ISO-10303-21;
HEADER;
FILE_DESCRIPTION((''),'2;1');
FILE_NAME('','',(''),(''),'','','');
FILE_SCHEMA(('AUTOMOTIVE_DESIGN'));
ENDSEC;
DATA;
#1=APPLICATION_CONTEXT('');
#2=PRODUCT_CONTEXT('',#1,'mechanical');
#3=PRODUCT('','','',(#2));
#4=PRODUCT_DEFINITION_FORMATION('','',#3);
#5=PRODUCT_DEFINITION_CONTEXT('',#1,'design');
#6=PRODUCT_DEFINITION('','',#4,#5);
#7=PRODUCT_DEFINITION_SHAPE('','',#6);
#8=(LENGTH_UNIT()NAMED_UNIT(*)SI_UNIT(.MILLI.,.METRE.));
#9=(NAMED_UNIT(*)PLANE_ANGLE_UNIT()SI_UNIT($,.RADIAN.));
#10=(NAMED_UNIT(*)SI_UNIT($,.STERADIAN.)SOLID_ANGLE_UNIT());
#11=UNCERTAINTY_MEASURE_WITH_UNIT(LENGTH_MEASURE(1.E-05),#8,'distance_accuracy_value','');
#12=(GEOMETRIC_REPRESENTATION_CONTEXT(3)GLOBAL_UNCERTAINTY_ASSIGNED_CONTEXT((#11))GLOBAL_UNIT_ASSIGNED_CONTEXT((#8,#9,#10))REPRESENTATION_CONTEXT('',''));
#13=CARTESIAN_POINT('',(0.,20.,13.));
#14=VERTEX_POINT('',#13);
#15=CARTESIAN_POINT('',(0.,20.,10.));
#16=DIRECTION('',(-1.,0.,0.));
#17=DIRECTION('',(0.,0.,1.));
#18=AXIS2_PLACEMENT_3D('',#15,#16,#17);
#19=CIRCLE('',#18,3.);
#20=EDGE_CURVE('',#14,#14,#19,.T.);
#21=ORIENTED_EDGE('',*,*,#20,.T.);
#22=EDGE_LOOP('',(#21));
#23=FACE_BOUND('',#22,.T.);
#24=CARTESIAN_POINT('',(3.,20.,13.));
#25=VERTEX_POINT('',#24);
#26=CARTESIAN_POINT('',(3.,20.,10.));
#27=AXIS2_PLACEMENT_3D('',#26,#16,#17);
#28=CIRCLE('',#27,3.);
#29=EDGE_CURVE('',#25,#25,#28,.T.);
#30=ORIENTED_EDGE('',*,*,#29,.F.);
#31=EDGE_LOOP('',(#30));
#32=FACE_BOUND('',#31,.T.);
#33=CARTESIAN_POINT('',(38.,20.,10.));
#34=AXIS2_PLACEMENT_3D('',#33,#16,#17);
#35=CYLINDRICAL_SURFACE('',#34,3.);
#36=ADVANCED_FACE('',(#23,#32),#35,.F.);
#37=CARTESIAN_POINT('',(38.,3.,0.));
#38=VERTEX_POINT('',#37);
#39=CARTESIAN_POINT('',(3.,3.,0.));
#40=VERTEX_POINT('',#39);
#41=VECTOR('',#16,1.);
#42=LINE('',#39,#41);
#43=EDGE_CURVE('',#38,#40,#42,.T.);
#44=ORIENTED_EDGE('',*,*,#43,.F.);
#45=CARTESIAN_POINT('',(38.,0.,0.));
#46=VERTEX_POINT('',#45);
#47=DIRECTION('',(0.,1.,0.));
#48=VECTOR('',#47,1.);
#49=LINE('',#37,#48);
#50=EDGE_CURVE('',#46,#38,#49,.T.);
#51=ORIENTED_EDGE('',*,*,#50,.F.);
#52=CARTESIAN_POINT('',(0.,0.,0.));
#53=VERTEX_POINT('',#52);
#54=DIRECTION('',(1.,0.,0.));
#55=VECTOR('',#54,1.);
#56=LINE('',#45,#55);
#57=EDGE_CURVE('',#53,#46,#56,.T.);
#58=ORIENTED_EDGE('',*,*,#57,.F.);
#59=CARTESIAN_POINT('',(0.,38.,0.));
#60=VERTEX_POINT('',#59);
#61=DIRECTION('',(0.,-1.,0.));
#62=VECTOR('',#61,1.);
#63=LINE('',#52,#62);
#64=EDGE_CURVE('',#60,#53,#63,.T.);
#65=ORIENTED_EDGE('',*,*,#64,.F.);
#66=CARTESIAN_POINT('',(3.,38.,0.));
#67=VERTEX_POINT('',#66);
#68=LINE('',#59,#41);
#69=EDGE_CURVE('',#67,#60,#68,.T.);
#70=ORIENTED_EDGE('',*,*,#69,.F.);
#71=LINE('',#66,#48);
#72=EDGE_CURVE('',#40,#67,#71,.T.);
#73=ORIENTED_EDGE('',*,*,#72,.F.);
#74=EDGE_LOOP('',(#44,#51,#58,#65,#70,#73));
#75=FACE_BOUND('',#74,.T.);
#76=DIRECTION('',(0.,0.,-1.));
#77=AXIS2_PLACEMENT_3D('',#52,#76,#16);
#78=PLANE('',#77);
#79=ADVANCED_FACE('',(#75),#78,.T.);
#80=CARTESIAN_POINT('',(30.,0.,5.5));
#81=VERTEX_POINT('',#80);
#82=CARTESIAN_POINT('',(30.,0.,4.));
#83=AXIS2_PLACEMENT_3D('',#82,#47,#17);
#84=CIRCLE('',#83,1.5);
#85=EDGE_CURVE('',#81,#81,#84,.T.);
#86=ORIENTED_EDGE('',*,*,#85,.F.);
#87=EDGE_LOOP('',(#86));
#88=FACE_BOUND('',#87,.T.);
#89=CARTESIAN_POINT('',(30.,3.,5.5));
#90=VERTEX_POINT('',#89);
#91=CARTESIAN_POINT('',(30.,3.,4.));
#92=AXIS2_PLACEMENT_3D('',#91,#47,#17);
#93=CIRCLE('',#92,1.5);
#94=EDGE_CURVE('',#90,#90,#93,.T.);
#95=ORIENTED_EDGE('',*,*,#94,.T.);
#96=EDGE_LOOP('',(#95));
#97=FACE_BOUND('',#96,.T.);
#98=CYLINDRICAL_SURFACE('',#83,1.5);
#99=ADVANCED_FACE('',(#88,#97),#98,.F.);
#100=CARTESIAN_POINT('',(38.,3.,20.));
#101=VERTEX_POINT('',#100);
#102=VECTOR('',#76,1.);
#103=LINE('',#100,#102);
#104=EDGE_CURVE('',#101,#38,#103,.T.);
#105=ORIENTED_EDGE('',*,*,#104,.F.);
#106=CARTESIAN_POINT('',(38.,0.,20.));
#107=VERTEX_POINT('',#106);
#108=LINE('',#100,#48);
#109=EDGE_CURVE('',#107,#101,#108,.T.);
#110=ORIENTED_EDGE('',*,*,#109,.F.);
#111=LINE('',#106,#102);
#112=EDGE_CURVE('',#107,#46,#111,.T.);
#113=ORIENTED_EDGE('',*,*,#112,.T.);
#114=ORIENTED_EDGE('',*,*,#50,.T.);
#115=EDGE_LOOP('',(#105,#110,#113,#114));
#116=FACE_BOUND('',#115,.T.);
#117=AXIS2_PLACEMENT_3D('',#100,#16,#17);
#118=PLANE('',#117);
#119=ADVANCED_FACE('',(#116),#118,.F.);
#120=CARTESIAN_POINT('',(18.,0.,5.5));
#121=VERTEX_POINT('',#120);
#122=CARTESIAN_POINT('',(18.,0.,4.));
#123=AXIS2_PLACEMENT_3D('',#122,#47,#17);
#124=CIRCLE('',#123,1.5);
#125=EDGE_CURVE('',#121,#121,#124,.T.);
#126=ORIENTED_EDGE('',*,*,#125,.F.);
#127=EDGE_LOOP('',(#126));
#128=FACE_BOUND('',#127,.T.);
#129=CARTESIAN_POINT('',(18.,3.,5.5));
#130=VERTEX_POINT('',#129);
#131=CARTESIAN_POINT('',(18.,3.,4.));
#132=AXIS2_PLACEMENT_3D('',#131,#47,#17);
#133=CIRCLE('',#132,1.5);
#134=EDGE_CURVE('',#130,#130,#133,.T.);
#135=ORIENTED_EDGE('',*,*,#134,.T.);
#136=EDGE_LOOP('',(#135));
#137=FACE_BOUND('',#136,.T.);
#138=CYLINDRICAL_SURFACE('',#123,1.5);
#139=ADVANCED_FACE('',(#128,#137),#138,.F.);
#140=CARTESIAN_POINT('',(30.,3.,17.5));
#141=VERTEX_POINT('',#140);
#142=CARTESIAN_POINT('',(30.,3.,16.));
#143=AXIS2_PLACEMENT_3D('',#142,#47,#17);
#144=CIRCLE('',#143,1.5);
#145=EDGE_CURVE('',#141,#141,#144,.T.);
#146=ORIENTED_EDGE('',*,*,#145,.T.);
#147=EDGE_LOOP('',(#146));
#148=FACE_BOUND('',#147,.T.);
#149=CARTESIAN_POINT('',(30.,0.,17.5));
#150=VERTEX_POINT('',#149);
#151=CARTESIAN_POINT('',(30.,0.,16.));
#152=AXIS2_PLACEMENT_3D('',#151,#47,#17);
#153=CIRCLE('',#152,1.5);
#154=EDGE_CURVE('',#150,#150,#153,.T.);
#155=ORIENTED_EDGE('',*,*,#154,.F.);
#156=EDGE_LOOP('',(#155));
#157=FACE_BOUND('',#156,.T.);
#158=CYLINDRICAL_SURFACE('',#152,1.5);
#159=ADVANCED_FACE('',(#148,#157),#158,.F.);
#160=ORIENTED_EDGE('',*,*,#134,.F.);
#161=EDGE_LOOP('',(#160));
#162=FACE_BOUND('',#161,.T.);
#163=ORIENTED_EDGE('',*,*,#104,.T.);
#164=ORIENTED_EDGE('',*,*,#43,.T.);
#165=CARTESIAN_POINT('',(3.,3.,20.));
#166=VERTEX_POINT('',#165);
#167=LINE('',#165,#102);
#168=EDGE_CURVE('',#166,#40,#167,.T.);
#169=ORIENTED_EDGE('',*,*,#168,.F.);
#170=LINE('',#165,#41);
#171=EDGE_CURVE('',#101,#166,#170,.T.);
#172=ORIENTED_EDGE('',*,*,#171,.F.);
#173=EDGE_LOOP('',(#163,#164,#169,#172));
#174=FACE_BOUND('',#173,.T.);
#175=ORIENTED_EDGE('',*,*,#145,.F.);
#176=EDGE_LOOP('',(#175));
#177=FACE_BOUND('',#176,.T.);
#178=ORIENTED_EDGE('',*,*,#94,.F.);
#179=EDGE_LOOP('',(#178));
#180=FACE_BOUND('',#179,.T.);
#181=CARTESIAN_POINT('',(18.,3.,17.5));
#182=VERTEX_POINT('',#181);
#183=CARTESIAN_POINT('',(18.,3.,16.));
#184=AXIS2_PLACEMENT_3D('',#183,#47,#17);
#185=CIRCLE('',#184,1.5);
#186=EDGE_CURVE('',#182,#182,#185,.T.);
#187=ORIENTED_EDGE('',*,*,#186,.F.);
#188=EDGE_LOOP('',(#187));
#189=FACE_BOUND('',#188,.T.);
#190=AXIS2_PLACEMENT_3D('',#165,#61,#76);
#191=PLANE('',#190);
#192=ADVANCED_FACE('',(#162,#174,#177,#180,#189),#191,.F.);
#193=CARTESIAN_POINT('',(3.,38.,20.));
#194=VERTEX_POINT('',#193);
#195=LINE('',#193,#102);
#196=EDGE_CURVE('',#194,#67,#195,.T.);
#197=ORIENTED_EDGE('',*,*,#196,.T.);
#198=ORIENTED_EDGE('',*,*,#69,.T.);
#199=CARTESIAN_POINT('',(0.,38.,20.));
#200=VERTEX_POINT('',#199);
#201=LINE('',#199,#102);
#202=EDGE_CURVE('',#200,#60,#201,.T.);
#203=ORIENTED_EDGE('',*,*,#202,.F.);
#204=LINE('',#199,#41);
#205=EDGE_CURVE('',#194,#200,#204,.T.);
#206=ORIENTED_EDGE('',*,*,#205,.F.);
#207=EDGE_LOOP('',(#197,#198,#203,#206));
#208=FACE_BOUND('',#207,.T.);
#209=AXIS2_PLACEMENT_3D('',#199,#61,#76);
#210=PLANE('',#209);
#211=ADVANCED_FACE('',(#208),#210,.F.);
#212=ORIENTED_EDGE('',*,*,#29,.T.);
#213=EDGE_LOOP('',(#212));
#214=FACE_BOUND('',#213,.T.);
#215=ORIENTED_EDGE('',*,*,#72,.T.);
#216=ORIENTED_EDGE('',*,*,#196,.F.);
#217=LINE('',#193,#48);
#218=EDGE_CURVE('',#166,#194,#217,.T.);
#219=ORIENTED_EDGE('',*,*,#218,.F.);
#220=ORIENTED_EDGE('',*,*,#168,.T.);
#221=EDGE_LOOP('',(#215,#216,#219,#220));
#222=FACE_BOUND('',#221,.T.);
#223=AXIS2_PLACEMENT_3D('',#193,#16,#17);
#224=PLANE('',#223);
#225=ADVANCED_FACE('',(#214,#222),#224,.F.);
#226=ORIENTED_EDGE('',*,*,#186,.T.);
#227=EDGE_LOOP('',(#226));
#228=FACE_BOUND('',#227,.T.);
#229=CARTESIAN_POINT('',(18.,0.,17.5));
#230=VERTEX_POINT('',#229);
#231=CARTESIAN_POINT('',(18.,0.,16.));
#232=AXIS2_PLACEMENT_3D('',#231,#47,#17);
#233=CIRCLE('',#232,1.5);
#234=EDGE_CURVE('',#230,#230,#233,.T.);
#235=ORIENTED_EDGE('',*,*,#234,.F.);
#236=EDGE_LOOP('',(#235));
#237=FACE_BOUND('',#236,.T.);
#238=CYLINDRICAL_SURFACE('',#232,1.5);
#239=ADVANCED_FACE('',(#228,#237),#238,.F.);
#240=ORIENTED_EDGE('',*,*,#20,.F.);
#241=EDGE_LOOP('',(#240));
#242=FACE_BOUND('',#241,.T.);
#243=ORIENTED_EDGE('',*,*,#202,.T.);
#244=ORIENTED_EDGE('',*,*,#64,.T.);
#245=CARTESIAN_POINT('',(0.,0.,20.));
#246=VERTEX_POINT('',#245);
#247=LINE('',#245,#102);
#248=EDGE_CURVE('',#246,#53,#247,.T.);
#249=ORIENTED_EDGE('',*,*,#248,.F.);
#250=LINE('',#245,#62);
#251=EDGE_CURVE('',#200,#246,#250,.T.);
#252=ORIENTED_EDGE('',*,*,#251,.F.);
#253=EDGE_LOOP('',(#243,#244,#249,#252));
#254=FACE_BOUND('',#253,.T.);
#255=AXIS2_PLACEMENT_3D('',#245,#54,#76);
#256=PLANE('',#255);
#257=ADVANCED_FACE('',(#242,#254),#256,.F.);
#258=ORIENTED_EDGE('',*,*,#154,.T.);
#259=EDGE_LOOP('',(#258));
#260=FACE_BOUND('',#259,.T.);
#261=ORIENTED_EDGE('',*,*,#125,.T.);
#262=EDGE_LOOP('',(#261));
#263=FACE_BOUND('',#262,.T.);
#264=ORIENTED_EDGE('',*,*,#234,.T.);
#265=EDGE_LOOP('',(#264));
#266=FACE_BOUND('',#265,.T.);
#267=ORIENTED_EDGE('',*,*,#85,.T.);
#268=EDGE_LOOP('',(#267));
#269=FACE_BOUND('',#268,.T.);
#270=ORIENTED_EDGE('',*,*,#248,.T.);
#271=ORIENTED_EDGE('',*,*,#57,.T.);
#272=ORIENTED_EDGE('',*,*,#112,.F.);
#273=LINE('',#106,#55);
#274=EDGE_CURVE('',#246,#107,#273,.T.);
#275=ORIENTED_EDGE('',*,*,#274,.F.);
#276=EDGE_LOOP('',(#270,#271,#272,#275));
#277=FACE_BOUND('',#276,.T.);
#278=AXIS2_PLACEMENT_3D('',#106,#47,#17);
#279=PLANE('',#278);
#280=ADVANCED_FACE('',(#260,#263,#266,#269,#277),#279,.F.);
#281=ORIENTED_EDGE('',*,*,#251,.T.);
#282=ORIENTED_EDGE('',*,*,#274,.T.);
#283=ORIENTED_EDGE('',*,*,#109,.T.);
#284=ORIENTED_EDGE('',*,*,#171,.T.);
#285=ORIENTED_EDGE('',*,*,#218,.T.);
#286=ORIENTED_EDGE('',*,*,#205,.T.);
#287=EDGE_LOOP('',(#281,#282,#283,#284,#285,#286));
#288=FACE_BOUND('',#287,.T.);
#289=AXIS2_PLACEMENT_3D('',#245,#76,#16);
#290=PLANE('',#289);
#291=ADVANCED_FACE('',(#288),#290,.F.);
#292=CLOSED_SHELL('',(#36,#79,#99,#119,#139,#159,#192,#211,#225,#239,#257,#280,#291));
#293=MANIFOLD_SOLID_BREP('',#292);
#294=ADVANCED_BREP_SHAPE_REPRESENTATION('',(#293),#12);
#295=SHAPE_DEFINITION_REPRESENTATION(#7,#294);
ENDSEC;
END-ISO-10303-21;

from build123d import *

# Parameters (mm, degrees)
EXTRUDE_1_DEPTH     = 20
SKETCH_2_R          = 3
CUT_EXTRUDE_1_DEPTH = 58.341084747
SKETCH_3_R          = 1.5
CUT_EXTRUDE_2_DEPTH = 56.398555938


with BuildPart() as part:
    # 草图1 → 凸台-拉伸1 (new body)
    with BuildSketch(Plane.XY):
        Polygon((0, 0), (0, 38), (3, 38), (3, 3), (38, 3), (38, 0), align=None)
    extrude(amount=EXTRUDE_1_DEPTH)

    # 草图2 → 切除-拉伸1 (cut, through all)
    with BuildSketch(Plane.ZY):
        with Locations((10, 20)):
            Circle(SKETCH_2_R)
    extrude(amount=-CUT_EXTRUDE_1_DEPTH, mode=Mode.SUBTRACT)

    # 草图3 → 切除-拉伸2 (cut, through all)
    with BuildSketch(Plane(origin=(0, 3, 0), x_dir=(1, 0, 0), z_dir=(0, 1, 0))):
        with Locations(Location((18, -4, 0), (0, 0, 270))):
            Circle(SKETCH_3_R)
        with Locations(Location((18, -16, 0), (0, 0, 270))):
            Circle(SKETCH_3_R)
        with Locations(Location((30, -4, 0), (0, 0, 270))):
            Circle(SKETCH_3_R)
        with Locations(Location((30, -16, 0), (0, 0, 270))):
            Circle(SKETCH_3_R)
    extrude(amount=-CUT_EXTRUDE_2_DEPTH, mode=Mode.SUBTRACT)


solid = part.part
